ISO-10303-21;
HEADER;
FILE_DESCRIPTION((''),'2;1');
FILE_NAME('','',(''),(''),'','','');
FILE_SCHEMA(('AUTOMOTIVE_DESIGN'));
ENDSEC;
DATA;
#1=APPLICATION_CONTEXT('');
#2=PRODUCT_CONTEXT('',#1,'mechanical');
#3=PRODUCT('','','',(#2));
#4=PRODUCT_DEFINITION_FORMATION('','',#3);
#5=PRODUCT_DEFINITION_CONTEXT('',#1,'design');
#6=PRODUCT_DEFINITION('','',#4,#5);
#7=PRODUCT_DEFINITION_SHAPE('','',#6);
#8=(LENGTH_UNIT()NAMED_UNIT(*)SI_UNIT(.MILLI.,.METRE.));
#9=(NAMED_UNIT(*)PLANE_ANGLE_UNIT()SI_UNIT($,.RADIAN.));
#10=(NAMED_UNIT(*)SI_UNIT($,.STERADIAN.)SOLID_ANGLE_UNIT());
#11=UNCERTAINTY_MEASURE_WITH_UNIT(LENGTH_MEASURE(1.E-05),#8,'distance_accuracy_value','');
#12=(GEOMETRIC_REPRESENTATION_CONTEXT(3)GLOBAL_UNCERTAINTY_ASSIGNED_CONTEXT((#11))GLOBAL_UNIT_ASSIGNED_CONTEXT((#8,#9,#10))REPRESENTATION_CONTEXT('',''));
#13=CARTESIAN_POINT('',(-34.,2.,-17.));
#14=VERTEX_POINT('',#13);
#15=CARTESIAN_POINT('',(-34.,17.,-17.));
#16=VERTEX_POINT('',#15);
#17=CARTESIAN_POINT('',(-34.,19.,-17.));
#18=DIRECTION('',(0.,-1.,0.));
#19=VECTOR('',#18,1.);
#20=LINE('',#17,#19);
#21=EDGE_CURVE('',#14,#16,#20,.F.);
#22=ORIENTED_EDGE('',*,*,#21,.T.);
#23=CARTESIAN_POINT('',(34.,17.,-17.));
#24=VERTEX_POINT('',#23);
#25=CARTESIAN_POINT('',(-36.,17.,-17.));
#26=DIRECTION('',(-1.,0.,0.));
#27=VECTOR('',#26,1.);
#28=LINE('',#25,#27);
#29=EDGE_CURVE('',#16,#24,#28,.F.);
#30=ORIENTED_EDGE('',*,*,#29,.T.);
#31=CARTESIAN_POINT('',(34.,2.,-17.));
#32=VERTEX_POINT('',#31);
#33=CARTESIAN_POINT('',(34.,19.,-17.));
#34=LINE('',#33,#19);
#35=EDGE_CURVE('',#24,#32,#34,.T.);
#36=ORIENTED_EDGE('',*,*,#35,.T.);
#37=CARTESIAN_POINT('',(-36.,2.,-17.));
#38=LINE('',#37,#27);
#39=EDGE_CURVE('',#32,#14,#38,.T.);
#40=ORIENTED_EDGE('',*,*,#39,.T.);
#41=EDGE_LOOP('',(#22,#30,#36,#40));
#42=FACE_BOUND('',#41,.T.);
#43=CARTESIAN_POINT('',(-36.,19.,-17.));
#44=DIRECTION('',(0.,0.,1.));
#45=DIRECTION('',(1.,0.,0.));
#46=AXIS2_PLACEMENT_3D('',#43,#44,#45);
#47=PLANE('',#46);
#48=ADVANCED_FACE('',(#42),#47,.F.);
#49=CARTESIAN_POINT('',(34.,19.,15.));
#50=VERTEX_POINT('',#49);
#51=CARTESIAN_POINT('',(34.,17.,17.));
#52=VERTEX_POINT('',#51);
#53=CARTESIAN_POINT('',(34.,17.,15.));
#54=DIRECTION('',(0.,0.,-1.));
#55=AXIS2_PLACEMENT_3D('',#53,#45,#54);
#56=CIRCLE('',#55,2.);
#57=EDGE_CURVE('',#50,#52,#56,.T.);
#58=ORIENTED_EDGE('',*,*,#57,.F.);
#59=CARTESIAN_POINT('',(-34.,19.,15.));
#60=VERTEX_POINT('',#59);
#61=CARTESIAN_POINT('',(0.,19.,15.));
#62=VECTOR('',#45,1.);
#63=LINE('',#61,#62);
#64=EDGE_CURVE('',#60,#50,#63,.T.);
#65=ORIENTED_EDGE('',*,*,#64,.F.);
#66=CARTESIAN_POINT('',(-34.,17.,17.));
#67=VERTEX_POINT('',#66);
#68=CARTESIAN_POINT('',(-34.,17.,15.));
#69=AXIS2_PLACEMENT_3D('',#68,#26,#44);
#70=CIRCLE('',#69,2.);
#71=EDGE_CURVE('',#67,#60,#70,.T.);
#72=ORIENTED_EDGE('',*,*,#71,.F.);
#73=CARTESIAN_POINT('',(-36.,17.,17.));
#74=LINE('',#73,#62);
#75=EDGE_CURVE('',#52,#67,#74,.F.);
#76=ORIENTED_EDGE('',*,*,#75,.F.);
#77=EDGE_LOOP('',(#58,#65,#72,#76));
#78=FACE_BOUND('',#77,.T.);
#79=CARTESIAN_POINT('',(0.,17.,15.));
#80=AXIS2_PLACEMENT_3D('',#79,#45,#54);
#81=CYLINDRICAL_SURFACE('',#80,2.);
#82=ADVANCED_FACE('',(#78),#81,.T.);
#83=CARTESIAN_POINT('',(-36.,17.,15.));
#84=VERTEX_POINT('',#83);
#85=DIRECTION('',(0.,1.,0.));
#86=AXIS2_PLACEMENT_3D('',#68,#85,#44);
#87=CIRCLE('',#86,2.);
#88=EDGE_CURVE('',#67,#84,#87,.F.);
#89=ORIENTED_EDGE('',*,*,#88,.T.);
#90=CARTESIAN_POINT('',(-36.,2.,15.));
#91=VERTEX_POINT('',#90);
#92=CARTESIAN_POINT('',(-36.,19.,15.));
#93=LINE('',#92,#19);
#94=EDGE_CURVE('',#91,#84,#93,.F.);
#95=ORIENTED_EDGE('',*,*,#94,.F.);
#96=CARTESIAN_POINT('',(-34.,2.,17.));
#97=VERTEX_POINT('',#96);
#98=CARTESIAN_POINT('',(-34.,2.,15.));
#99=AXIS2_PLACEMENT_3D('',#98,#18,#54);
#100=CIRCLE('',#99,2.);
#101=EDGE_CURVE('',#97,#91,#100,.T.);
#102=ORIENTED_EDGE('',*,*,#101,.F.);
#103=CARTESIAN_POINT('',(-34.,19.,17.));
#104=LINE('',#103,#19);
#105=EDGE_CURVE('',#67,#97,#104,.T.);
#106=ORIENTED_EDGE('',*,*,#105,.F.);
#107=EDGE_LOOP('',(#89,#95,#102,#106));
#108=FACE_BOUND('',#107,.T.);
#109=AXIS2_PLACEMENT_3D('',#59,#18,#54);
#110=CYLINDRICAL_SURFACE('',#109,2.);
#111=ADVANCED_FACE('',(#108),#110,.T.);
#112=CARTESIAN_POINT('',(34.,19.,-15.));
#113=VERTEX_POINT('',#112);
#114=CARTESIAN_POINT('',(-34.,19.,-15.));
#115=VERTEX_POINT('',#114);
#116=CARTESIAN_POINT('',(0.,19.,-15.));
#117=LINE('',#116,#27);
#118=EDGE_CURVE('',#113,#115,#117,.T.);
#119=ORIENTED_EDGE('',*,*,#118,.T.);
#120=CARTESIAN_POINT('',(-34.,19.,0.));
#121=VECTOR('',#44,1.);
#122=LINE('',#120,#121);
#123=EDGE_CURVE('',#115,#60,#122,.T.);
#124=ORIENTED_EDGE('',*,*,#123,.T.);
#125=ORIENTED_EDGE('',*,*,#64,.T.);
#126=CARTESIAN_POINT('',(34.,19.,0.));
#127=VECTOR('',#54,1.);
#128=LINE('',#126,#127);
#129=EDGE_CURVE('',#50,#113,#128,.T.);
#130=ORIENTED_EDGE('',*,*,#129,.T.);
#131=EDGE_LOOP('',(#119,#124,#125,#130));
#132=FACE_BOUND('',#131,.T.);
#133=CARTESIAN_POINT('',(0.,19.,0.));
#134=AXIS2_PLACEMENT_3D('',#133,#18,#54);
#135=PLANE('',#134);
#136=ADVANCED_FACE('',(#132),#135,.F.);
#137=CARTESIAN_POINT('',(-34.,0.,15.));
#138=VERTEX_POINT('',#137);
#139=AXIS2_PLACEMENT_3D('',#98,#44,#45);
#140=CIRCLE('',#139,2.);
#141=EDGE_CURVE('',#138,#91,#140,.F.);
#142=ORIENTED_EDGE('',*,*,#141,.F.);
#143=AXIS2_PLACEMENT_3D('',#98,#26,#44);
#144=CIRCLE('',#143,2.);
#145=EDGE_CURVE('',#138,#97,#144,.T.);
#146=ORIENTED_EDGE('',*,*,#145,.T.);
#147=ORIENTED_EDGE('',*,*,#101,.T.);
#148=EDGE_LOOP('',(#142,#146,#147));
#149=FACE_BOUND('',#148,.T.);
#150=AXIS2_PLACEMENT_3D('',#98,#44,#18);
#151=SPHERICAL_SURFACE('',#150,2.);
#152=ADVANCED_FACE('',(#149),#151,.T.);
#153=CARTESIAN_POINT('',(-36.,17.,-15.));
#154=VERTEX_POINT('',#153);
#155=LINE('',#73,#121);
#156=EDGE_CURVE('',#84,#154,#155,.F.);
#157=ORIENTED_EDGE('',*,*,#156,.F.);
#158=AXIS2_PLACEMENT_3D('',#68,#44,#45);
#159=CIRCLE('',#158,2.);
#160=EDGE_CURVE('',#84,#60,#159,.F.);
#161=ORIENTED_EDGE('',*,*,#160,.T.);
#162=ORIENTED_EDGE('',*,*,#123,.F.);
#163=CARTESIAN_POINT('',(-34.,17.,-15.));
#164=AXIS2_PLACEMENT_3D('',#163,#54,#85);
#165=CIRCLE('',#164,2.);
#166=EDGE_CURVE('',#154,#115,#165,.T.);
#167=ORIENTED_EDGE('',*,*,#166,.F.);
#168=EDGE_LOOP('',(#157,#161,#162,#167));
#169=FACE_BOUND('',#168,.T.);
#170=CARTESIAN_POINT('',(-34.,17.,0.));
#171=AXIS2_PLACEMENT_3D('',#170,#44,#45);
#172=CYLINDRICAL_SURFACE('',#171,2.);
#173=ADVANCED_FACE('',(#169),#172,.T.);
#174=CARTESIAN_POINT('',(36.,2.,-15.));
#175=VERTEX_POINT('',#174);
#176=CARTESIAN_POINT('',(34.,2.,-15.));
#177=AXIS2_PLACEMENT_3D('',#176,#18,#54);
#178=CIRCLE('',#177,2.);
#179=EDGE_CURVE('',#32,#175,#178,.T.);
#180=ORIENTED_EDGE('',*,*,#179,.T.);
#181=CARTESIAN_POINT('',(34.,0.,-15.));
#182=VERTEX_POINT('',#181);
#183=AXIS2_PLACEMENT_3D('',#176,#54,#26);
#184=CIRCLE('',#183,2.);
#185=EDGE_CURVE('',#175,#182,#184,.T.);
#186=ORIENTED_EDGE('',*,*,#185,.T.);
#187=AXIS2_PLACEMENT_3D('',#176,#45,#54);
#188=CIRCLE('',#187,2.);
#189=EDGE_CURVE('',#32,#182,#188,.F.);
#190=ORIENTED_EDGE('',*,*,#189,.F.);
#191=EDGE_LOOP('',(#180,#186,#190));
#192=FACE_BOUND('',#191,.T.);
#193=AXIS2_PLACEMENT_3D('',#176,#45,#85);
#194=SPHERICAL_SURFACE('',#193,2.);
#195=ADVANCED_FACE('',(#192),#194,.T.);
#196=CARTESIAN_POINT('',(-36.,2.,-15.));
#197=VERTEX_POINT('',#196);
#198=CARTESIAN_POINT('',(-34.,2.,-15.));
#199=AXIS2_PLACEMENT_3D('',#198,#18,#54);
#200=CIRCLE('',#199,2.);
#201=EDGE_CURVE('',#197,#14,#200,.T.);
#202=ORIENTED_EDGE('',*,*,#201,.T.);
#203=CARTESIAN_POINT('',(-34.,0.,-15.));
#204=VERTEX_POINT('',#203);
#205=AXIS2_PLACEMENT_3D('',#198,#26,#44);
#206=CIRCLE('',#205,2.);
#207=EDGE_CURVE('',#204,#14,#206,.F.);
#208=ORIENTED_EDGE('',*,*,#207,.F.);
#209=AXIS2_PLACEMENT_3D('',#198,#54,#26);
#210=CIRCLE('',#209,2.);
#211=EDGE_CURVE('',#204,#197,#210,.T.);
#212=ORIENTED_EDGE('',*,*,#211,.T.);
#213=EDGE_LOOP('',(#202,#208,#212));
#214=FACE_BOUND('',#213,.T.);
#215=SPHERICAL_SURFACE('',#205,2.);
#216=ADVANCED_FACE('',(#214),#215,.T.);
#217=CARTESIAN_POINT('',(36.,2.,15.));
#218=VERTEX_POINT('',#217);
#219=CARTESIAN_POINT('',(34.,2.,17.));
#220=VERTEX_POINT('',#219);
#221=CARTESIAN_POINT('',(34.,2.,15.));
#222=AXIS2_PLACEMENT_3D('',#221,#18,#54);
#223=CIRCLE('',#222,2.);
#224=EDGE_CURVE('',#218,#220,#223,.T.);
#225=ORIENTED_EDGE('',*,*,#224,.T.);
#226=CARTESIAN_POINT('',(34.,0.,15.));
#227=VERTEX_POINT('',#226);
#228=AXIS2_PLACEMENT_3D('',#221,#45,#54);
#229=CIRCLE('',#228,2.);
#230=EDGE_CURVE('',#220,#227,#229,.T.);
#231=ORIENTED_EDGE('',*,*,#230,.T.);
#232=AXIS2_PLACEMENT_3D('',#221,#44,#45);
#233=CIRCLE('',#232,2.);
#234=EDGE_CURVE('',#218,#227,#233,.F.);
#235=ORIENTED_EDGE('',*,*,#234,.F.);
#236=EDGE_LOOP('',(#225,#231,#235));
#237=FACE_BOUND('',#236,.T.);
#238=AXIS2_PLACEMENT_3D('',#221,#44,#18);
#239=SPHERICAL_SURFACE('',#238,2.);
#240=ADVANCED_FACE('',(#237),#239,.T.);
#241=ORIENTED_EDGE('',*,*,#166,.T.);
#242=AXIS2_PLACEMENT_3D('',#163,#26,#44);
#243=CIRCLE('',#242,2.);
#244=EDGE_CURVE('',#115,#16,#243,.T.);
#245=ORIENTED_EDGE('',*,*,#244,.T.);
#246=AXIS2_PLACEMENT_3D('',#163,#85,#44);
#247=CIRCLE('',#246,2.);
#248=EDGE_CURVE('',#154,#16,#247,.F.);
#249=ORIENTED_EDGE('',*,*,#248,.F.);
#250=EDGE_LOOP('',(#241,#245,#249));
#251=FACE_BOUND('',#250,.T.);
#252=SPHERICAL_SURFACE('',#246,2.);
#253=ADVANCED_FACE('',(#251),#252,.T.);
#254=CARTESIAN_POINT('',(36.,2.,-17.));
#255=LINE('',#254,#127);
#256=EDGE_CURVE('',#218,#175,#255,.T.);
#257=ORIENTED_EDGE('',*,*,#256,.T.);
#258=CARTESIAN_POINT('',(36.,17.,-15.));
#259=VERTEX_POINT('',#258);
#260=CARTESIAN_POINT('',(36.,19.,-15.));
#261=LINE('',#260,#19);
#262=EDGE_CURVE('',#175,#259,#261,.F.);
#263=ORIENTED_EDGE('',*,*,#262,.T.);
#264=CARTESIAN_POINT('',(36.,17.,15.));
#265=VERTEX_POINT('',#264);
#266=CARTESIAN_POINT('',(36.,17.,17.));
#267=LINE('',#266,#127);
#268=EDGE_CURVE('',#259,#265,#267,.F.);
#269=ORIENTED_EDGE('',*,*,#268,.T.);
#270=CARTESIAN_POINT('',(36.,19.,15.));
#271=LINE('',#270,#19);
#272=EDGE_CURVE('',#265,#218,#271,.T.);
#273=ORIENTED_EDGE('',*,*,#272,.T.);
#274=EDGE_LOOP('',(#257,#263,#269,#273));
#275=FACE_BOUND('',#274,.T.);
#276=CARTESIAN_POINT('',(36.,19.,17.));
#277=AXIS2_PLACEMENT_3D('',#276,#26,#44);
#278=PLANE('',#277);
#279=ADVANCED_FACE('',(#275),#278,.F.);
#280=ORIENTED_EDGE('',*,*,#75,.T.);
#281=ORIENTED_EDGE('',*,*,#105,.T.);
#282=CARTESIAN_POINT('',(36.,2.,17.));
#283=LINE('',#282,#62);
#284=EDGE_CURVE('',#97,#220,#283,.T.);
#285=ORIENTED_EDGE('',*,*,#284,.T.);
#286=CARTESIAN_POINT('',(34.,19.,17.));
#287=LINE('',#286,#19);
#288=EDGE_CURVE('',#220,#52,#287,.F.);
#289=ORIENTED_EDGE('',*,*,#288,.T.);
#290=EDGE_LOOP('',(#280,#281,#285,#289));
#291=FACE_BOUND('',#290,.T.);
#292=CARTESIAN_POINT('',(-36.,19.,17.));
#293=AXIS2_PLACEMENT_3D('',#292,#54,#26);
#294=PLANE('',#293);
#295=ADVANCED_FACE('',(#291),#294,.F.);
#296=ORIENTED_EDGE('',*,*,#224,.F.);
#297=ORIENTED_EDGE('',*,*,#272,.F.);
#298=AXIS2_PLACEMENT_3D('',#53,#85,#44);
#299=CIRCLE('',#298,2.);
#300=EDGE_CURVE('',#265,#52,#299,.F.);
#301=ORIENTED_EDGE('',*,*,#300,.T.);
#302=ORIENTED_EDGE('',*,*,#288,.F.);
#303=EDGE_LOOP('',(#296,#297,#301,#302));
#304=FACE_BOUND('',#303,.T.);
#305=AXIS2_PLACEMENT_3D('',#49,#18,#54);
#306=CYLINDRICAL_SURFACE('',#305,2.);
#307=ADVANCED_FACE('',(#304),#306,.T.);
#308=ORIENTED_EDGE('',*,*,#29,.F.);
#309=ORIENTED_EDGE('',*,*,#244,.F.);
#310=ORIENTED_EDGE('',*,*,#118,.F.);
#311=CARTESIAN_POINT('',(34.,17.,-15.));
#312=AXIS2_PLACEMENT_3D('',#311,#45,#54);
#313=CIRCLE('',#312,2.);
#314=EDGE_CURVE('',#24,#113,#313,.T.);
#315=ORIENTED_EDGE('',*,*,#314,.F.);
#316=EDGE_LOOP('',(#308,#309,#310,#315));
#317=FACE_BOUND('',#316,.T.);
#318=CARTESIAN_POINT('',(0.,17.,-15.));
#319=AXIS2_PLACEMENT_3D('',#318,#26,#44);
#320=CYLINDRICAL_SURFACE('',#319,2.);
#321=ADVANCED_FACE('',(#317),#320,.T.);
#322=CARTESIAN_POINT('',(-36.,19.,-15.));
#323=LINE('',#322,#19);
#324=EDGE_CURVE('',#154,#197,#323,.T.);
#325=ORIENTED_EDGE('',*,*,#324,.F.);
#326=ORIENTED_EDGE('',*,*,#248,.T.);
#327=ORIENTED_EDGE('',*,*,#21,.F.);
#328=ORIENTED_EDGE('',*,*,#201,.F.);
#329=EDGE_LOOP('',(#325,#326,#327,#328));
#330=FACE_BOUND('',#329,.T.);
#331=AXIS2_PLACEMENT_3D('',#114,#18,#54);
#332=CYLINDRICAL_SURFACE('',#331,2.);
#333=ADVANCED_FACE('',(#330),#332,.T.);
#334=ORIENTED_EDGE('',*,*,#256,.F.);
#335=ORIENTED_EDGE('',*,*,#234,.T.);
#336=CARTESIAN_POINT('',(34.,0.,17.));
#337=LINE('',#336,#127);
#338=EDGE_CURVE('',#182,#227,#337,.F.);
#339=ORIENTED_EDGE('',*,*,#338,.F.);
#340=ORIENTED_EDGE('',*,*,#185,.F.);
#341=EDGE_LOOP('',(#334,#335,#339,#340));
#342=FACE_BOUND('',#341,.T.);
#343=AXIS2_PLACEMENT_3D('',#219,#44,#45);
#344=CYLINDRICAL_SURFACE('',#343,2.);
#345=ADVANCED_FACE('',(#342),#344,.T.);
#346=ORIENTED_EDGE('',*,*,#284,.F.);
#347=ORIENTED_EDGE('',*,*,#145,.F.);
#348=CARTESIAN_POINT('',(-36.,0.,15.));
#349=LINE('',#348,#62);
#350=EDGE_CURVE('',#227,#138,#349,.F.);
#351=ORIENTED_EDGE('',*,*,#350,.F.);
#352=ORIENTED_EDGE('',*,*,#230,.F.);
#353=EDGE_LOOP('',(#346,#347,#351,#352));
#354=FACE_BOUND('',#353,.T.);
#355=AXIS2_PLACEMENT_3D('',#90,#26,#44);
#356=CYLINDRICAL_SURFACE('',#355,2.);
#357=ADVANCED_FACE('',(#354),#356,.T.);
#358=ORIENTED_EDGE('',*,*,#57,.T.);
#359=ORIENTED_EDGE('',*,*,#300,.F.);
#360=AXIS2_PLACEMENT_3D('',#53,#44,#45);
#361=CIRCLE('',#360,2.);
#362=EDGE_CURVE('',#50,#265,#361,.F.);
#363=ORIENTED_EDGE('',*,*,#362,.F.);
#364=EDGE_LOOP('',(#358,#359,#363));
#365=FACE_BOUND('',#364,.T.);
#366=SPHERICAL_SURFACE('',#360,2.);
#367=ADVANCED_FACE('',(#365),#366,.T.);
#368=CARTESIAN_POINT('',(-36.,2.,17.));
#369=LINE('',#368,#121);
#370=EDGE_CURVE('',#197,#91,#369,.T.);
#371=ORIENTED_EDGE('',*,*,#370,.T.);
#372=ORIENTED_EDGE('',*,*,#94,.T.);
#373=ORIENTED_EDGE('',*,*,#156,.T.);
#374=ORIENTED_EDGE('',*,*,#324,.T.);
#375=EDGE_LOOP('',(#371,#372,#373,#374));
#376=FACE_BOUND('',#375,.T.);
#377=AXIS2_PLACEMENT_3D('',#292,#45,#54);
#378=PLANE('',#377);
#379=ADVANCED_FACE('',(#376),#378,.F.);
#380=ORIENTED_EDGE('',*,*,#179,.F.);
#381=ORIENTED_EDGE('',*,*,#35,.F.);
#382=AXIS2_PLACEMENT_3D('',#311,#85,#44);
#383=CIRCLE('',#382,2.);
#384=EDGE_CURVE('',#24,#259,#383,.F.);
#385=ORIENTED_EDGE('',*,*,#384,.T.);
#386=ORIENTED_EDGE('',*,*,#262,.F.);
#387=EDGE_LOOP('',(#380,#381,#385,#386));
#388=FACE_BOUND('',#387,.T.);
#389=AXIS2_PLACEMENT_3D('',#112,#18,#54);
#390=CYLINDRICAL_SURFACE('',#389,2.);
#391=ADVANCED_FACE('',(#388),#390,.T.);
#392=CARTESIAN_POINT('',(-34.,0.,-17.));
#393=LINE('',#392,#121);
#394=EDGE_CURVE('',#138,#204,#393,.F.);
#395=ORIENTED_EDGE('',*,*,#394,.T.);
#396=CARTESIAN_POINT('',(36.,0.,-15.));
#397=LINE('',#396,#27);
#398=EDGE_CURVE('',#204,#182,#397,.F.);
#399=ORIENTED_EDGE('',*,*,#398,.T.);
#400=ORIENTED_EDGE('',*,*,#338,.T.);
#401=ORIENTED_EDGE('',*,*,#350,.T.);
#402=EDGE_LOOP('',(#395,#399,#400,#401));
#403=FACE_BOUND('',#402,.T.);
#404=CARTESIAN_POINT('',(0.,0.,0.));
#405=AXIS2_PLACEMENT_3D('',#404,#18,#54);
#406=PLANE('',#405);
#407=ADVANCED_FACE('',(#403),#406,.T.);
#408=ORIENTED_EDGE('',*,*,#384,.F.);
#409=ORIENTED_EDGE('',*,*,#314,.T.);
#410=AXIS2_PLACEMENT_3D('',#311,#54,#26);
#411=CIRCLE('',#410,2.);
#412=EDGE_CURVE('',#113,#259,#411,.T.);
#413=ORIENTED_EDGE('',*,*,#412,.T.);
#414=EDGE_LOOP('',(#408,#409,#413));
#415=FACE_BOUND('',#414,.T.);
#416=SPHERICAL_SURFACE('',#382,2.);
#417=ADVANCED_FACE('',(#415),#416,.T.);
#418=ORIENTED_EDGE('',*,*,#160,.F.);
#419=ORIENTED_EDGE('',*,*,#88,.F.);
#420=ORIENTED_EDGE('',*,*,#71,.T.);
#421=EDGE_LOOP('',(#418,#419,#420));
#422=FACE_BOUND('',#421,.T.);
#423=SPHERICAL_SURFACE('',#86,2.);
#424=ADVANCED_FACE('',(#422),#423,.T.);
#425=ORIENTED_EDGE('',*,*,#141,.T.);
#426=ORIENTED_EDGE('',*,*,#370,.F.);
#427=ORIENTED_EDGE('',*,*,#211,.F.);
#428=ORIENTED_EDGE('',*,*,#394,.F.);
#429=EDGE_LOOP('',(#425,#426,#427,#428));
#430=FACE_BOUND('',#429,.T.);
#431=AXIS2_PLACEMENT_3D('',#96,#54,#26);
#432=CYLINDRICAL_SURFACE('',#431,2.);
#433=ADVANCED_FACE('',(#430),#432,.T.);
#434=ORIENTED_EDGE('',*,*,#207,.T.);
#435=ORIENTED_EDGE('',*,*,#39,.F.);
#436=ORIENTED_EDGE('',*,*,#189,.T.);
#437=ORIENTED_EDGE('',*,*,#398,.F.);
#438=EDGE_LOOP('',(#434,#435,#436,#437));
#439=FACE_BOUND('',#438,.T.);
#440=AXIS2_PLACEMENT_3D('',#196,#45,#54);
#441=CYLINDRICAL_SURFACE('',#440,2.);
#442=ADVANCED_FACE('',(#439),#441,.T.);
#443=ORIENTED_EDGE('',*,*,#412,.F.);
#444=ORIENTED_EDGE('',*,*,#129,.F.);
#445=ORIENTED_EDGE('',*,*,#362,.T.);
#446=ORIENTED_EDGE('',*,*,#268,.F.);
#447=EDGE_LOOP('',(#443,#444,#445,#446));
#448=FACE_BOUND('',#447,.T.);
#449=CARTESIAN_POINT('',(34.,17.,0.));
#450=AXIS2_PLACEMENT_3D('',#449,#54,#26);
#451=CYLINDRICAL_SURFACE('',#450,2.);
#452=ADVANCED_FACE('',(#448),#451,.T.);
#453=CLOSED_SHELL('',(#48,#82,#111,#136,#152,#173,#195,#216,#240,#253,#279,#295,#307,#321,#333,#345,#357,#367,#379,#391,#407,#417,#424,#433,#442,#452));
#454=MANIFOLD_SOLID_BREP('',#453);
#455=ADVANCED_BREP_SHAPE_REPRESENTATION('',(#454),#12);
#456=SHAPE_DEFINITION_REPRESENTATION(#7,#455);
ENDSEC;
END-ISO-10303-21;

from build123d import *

# Parameters (mm, degrees)
SKETCH1_W           = 72
SKETCH1_H           = 34
BOSS_EXTRUDE1_DEPTH = 19
FILLET1_R           = 2


with BuildPart() as part:
    # Sketch1 → Boss-Extrude1 (new body)
    with BuildSketch(Plane(origin=(0, 0, 0), x_dir=(1, 0, 0), z_dir=(0, 1, 0))):
        Rectangle(SKETCH1_W, SKETCH1_H)
    extrude(amount=BOSS_EXTRUDE1_DEPTH)

    # Fillet1
    fillet1_edges = [part.edges().sort_by_distance(p)[0] for p in [
        (-36, 19, 0),
        (0, 19, 17),
        (36, 19, 0),
        (0, 0, 17),
        (-36, 0, 0),
        (0, 0, -17),
        (36, 0, 0),
        (36, 9.5, 17),
        (-36, 9.5, 17),
        (-36, 9.5, -17),
        (36, 9.5, -17),
        (0, 19, -17),
    ]]
    fillet(fillet1_edges, radius=FILLET1_R)


solid = part.part
